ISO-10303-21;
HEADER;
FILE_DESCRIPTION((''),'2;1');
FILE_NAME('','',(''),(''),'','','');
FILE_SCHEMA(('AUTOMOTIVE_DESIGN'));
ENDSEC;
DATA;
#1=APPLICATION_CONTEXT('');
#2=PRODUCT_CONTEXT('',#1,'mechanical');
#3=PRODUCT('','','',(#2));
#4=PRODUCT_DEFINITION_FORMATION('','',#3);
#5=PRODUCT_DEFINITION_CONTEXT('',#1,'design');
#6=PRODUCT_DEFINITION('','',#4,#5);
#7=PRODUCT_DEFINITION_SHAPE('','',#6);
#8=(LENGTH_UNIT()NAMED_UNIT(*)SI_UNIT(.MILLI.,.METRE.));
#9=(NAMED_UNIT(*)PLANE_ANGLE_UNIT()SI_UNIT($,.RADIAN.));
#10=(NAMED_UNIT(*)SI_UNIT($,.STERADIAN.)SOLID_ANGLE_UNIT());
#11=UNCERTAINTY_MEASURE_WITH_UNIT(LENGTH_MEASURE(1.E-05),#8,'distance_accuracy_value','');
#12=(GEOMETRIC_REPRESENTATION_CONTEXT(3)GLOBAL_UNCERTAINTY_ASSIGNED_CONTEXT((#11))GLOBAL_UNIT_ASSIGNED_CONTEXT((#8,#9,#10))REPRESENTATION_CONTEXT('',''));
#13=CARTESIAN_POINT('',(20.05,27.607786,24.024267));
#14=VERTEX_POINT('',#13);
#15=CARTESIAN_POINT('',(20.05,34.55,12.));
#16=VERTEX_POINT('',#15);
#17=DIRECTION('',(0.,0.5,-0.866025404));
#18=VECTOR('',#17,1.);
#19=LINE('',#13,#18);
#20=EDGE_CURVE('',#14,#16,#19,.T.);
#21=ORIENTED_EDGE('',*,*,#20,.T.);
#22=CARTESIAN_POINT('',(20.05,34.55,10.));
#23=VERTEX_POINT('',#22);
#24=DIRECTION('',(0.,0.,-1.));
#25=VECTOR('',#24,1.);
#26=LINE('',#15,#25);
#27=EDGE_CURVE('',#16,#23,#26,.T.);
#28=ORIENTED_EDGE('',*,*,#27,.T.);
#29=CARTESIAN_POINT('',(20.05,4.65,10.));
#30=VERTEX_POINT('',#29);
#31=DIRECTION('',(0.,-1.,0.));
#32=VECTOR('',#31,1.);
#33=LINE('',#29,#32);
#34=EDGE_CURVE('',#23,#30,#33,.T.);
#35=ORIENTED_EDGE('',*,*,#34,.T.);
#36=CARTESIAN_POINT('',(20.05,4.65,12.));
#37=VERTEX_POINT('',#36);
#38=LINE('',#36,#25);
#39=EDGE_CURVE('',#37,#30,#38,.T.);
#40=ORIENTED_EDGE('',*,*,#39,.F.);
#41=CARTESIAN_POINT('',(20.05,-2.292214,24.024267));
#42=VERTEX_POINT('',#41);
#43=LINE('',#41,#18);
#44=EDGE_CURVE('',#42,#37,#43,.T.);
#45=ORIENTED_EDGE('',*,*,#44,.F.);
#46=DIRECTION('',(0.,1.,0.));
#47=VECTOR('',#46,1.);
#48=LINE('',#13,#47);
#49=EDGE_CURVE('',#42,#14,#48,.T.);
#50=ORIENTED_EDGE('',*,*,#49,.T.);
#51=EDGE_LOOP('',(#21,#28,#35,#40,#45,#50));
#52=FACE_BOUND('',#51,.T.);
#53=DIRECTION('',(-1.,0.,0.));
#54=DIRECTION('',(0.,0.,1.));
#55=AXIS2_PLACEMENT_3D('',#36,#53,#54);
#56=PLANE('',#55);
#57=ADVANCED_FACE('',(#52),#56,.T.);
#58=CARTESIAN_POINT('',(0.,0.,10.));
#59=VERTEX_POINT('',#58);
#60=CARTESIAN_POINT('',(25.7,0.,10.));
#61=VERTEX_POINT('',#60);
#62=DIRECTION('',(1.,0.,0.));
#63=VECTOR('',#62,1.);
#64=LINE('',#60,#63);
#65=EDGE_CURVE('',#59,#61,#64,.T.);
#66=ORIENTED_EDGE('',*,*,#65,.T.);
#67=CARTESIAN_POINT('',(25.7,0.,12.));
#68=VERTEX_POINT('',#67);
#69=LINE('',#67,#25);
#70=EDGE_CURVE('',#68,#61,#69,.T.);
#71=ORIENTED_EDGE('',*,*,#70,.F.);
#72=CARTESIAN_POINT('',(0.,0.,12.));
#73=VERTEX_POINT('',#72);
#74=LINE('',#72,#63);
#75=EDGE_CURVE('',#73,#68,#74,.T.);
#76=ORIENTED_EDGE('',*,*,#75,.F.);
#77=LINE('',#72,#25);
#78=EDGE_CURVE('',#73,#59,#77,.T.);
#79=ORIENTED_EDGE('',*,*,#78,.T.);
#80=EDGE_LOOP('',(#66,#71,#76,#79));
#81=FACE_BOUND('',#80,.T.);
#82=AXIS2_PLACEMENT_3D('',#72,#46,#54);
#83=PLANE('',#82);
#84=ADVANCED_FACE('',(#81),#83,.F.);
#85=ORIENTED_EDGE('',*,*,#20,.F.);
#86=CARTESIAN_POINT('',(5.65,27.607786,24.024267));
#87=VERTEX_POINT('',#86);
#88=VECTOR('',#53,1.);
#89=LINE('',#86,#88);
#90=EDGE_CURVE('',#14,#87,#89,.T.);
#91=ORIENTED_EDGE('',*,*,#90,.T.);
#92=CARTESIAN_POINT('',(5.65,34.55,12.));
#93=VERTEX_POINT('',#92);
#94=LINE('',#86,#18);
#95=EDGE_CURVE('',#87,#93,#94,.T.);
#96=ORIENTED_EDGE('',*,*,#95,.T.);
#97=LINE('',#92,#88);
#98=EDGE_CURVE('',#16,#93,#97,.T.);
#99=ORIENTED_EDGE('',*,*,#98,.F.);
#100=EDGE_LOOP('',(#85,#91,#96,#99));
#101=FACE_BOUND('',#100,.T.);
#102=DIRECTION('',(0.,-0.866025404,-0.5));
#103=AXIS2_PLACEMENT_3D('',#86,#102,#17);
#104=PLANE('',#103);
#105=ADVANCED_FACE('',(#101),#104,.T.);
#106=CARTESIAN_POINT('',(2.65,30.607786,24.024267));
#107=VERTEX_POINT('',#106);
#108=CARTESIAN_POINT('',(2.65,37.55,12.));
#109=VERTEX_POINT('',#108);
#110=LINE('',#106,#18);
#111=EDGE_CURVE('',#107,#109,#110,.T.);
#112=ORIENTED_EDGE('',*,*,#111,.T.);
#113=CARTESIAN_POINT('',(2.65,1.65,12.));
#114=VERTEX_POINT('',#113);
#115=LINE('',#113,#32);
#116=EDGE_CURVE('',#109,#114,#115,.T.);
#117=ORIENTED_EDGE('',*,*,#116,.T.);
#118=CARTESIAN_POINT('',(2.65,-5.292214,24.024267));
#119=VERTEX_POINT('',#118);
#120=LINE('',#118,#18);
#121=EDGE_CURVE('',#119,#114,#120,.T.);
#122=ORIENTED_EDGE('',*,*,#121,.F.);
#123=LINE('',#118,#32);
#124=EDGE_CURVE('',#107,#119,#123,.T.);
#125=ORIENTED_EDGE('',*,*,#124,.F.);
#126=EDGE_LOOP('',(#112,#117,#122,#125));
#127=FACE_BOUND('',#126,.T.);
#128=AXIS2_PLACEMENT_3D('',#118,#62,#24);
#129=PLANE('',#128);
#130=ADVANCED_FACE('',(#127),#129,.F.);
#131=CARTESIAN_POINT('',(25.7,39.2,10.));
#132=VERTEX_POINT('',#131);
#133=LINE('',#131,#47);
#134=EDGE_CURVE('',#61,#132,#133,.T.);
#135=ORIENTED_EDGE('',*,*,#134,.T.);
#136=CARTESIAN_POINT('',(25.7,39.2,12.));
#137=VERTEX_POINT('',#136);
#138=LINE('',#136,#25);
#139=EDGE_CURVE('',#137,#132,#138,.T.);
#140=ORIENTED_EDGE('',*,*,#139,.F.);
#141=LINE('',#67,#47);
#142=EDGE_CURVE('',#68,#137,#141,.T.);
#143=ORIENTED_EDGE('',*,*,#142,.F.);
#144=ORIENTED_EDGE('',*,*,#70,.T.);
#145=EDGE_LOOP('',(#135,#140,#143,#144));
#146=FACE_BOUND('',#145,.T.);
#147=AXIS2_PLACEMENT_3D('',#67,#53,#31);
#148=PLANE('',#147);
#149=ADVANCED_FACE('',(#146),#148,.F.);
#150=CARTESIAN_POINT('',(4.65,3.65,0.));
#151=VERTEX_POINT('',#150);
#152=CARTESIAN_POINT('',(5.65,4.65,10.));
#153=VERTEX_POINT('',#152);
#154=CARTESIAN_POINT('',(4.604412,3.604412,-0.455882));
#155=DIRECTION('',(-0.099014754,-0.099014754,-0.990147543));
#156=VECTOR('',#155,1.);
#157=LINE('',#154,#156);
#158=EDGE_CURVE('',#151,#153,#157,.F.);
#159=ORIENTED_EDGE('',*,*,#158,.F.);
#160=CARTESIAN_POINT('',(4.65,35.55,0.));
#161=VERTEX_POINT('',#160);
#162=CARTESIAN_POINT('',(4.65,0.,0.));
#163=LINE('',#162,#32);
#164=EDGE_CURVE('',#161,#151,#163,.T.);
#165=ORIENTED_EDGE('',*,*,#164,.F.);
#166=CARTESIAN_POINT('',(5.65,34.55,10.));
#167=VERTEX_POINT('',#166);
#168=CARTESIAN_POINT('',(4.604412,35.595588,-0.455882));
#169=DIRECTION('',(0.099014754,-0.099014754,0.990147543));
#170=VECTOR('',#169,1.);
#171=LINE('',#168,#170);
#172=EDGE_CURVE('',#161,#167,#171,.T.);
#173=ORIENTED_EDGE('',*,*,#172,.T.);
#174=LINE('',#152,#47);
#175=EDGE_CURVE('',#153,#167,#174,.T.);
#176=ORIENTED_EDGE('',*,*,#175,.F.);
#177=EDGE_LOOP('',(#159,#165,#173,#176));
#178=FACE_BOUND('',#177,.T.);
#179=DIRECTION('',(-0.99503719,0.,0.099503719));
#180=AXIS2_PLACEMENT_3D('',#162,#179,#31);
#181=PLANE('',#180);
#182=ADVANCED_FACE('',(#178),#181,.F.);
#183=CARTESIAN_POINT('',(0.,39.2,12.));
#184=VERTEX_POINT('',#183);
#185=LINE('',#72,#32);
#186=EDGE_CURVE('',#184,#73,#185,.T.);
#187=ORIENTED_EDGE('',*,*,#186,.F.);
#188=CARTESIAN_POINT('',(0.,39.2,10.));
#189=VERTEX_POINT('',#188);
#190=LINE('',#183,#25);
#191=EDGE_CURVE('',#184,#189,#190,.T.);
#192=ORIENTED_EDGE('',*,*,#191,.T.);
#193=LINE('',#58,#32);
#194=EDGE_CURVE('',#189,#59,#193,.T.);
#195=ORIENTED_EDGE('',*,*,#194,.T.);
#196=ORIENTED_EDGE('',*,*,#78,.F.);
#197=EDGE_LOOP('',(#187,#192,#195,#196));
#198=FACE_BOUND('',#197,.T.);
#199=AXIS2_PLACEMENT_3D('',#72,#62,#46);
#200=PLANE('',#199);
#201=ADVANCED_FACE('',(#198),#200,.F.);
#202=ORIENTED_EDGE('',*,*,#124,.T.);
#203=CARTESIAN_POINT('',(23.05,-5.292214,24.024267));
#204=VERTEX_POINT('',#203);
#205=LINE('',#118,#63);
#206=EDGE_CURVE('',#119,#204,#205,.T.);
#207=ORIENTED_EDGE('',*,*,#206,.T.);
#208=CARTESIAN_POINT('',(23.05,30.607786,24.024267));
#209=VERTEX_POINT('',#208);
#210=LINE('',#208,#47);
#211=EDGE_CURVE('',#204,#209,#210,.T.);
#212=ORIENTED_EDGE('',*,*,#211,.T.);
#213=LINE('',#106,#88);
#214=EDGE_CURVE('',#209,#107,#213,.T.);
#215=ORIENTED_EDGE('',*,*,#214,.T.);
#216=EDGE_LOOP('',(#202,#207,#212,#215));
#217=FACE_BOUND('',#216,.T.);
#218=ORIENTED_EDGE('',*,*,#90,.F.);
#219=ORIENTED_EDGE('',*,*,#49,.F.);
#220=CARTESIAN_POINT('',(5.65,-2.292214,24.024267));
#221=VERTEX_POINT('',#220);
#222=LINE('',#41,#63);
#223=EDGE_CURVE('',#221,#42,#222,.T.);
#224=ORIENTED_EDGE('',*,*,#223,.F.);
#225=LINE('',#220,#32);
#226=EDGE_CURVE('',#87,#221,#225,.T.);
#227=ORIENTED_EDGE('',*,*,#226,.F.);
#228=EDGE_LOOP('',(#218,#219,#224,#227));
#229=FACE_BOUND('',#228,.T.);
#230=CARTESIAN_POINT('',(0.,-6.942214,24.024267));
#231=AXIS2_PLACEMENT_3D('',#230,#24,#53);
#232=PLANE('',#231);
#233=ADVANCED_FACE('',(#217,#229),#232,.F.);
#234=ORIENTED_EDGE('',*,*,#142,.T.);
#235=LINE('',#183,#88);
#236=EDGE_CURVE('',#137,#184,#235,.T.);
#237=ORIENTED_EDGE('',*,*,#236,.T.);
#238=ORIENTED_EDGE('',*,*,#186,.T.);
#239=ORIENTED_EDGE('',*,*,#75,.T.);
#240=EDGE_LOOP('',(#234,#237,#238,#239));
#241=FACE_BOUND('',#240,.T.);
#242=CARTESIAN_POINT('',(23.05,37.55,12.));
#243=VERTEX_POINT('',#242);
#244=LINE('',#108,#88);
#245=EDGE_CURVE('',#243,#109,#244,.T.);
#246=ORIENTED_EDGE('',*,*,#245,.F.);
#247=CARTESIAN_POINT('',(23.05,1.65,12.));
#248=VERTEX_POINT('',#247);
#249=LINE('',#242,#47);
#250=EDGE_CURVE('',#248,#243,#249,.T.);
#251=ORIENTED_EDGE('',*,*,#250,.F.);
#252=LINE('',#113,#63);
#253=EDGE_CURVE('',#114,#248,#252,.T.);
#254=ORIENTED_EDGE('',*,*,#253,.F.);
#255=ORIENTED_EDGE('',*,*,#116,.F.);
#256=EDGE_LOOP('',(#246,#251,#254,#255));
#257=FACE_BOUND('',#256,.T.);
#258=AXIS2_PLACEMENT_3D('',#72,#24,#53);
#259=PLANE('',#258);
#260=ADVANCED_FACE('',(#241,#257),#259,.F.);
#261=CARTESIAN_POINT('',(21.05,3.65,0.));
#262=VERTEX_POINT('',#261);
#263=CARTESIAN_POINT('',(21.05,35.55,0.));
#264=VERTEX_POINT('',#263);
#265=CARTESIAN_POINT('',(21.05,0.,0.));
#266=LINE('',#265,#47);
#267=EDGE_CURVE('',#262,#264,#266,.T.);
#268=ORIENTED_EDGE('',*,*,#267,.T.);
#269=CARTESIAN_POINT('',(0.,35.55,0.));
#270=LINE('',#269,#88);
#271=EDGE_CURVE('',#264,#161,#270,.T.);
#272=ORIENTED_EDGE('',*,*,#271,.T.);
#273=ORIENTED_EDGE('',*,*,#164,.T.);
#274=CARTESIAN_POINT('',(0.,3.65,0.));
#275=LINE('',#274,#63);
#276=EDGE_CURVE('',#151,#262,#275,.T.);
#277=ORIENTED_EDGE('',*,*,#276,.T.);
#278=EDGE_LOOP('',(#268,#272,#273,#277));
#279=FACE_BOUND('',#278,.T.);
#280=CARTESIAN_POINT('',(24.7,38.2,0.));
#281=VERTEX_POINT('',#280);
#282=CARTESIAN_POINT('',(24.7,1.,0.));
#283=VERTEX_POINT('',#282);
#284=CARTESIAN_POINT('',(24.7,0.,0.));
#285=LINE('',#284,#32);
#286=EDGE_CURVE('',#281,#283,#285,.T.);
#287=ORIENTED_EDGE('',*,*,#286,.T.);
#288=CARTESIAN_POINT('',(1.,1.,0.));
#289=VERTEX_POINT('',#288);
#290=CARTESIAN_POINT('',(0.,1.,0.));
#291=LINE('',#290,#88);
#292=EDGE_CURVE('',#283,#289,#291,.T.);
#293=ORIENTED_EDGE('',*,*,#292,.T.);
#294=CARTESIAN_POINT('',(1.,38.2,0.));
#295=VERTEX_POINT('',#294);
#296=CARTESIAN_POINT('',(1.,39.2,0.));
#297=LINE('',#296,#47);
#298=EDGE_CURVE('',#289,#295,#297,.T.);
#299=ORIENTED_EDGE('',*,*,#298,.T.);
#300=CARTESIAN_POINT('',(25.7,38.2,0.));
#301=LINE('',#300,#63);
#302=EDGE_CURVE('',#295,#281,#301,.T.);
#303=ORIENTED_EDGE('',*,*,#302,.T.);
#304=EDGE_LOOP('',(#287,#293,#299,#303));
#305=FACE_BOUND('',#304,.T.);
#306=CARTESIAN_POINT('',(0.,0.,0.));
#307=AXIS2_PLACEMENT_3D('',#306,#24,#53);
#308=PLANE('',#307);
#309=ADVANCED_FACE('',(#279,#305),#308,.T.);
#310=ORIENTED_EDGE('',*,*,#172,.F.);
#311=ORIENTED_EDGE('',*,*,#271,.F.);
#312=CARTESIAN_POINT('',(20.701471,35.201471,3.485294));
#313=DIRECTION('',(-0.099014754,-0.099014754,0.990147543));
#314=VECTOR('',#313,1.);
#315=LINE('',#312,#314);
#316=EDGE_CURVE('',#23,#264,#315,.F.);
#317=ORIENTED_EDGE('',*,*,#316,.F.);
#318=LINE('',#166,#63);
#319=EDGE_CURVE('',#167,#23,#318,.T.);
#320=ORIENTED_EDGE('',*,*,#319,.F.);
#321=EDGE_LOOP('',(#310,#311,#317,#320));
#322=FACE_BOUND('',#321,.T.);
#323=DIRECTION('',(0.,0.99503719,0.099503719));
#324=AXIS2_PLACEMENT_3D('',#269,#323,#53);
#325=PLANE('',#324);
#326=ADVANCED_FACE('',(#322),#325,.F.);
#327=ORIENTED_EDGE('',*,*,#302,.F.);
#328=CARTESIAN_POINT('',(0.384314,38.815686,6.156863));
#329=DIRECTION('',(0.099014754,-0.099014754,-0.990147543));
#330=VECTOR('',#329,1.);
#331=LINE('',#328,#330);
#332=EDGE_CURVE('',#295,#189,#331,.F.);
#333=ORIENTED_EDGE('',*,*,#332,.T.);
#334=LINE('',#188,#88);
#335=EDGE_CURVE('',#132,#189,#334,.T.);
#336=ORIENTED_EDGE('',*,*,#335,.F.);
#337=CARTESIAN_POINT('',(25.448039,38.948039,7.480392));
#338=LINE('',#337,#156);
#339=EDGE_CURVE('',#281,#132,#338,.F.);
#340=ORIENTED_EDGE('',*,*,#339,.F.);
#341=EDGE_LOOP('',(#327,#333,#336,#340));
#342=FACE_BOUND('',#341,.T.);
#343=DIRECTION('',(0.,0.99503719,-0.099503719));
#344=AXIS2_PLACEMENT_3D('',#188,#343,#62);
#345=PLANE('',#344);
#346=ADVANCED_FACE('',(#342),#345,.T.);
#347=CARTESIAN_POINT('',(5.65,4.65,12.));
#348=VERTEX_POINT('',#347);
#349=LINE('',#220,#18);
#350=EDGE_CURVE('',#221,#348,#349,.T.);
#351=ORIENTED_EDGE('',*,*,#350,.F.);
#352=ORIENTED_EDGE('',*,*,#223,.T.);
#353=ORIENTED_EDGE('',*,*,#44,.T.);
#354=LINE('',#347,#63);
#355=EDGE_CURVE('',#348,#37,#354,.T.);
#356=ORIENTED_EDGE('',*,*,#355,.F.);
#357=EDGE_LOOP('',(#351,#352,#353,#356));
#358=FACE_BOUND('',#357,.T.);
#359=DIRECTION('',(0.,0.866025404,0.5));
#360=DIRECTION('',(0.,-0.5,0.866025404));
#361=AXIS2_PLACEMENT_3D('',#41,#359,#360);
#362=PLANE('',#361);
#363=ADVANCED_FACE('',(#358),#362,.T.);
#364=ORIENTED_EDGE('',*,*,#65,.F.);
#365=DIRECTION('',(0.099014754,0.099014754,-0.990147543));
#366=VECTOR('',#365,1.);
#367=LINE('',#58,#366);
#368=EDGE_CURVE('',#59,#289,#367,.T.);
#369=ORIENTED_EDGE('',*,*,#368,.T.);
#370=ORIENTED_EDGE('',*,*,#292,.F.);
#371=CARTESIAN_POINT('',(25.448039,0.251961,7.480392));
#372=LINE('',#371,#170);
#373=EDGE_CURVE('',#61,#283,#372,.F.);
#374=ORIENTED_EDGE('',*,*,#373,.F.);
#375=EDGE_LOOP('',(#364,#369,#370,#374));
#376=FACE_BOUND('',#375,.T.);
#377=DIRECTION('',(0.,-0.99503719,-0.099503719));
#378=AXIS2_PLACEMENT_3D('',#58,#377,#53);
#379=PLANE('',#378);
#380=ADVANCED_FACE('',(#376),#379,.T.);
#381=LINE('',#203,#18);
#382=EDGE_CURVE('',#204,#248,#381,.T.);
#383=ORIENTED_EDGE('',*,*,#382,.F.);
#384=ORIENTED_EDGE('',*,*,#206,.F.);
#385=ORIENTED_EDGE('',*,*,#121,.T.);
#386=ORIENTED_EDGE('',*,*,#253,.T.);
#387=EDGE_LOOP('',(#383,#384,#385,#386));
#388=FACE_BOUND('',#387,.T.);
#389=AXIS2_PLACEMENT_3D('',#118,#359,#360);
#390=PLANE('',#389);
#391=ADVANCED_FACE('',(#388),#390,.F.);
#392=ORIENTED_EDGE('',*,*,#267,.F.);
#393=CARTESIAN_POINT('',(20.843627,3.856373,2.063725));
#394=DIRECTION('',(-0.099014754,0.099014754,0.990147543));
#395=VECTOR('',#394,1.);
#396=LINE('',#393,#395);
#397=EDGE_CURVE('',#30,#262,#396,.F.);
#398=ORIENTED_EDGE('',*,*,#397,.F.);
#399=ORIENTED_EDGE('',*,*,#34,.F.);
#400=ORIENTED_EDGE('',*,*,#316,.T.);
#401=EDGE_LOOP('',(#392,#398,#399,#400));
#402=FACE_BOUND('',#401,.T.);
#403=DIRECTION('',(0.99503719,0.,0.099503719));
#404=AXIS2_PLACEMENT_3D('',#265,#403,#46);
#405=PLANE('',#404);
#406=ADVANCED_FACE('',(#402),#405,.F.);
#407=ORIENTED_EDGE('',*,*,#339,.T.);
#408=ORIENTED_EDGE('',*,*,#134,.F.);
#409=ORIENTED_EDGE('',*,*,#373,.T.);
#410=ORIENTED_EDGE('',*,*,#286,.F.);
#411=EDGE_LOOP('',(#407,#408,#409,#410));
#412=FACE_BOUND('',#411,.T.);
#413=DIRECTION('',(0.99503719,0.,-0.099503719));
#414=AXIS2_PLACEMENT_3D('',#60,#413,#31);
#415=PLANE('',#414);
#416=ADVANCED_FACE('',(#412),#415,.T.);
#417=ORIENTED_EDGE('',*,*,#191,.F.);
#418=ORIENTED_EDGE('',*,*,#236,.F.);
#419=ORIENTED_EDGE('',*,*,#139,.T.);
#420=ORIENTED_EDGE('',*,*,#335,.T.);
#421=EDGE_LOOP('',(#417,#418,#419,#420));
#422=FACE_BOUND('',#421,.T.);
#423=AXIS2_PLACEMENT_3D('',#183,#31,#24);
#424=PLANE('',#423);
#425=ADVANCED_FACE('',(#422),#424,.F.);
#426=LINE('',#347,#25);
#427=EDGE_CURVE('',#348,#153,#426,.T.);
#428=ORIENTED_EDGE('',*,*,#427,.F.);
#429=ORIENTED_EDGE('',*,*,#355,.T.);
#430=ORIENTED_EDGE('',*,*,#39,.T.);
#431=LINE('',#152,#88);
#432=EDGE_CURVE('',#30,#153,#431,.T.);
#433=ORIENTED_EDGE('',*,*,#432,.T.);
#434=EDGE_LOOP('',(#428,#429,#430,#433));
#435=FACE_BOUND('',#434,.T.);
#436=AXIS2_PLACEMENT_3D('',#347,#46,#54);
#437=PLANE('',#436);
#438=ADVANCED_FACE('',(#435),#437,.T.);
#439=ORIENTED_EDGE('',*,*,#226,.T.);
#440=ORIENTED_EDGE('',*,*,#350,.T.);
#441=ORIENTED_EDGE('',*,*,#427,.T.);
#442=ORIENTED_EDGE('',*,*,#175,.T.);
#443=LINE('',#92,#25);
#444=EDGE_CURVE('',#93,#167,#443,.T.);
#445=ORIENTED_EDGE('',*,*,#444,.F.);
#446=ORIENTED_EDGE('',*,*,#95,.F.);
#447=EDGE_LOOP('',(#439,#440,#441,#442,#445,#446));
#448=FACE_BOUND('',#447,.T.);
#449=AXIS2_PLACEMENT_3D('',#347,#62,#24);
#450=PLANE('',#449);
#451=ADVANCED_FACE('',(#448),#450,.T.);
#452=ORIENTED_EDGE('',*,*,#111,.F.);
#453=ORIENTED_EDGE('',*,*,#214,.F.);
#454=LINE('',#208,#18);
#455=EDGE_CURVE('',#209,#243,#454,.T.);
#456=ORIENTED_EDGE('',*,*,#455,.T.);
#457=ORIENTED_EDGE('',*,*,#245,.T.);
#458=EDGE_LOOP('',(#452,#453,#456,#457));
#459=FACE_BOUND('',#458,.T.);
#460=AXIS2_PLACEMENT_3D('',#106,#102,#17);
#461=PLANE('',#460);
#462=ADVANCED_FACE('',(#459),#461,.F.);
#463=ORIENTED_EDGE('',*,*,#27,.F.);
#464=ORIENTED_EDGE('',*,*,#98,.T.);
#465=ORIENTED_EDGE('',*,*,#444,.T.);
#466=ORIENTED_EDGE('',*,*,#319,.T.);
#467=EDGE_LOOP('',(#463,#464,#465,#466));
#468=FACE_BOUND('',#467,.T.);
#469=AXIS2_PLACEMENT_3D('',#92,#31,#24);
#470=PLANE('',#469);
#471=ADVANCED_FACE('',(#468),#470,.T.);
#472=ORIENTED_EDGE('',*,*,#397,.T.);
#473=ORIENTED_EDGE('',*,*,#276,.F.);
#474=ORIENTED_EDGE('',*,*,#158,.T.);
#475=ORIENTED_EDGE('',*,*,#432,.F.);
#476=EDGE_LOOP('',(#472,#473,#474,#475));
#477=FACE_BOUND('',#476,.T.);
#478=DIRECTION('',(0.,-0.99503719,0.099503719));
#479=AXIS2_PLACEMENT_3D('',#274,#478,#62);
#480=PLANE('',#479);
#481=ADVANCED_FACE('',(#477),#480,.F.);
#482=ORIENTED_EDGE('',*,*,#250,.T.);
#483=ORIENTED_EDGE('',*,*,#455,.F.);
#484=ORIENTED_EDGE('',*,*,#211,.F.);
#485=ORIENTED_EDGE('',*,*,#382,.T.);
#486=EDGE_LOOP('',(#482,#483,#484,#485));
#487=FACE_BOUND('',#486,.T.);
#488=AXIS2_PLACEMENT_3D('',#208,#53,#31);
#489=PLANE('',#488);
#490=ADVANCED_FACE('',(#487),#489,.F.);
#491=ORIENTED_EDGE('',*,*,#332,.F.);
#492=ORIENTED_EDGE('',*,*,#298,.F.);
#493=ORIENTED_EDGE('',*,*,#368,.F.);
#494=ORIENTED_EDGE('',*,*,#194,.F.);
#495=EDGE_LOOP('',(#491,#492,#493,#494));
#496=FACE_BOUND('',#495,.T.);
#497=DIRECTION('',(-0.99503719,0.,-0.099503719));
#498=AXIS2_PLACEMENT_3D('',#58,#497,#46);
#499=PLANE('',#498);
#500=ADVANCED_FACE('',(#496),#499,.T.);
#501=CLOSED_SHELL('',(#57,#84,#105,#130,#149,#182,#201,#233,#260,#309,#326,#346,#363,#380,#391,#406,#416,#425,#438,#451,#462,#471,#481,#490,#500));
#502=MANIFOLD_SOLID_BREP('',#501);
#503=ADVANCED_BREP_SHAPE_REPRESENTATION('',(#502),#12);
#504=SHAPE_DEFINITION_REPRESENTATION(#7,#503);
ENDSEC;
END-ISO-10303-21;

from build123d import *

# Parameters (mm, degrees)
SKETCH3_W           = 25.7
SKETCH3_H           = 39.2
SKETCH3_W_2         = 14.4
SKETCH3_H_2         = 29.9
BOSS_EXTRUDE2_DEPTH = 12
CHAMFER1_SIZE       = 1
CHAMFER1_SIZE2      = 10
SKETCH4_W           = 20.4
SKETCH4_H           = 35.9
SKETCH4_W_2         = 14.4
SKETCH4_H_2         = 29.9


with BuildPart() as part:
    # Sketch3 → Boss-Extrude2 (new body)
    with BuildSketch(Plane.XY):
        with Locations((12.85, 19.6)):
            Rectangle(SKETCH3_W, SKETCH3_H)
        with Locations((12.85, 19.6)):
            Rectangle(SKETCH3_W_2, SKETCH3_H_2, mode=Mode.SUBTRACT)
    extrude(amount=BOSS_EXTRUDE2_DEPTH)

    # Chamfer1
    chamfer1_edges = [part.edges().sort_by_distance(p)[0] for p in [
        (5.65, 19.6, 0),
        (12.85, 4.65, 0),
        (20.05, 19.6, 0),
        (12.85, 34.55, 0),
        (12.85, 39.2, 0),
        (25.7, 19.6, 0),
        (12.85, 0, 0),
        (0, 19.6, 0),
    ]]
    chamfer1_side = [part.faces().sort_by_distance(p)[0] for p in [
        (12.85, 0.468735533, 0),
    ]]
    chamfer(chamfer1_edges, length=CHAMFER1_SIZE, length2=CHAMFER1_SIZE2, reference=chamfer1_side[0])

    # Sweep1: sweep along a path in Sketch6
    with BuildLine(Plane.ZY.offset(-12.85)) as sweep1_path:
        Line((12, 1.65), (24.024266767, -5.292213655))
    # Sketch4 → Sweep1 (sweep)
    with BuildSketch(Plane.XY.offset(12)):
        with Locations((12.85, 19.6)):
            Rectangle(SKETCH4_W, SKETCH4_H)
        with Locations((12.85, 19.6)):
            Rectangle(SKETCH4_W_2, SKETCH4_H_2, mode=Mode.SUBTRACT)
    sweep(path=sweep1_path.line)


solid = part.part
